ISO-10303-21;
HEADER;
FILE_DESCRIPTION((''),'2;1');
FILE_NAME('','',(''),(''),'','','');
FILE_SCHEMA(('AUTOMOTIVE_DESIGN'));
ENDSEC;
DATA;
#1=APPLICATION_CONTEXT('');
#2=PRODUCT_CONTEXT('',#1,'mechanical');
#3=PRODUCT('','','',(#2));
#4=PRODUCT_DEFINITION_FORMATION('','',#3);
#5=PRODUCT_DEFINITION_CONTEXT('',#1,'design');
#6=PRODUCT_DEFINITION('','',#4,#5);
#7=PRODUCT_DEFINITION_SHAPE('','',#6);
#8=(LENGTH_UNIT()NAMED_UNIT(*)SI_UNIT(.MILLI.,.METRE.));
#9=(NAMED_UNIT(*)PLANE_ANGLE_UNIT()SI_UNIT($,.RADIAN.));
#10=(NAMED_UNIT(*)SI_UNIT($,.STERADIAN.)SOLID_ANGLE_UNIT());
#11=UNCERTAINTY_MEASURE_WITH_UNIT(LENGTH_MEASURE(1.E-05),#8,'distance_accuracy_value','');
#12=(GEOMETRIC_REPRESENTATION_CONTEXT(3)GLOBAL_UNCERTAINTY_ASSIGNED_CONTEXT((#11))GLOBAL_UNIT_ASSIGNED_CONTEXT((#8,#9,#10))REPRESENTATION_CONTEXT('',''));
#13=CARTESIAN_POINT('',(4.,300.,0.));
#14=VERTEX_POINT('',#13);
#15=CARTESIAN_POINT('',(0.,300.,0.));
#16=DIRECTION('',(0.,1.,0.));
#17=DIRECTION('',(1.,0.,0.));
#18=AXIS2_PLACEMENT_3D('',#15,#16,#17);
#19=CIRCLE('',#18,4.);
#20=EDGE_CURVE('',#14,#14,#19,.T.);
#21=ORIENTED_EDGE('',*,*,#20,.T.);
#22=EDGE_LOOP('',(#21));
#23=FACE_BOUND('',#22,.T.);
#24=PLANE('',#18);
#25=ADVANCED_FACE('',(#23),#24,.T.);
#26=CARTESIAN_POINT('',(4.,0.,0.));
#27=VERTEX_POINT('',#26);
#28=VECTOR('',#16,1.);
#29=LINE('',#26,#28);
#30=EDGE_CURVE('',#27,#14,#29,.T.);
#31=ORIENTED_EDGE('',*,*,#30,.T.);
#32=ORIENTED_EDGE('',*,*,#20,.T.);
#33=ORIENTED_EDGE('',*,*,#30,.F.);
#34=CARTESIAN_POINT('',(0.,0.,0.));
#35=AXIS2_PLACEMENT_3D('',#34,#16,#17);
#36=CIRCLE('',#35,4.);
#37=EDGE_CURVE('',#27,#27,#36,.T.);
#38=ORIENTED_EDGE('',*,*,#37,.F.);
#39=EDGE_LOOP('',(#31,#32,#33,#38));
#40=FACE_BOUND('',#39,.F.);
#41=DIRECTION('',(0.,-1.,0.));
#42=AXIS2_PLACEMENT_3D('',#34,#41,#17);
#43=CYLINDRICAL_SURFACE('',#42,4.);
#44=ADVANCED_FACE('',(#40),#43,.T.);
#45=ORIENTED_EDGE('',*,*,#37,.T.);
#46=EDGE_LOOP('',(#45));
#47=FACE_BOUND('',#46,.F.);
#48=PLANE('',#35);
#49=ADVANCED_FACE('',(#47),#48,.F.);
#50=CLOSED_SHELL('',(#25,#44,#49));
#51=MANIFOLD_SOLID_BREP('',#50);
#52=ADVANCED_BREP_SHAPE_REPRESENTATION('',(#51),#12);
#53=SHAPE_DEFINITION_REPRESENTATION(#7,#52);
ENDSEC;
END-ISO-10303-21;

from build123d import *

# Parameters (mm, degrees)
CROQUIS1_R              = 4
SALIENTE_EXTRUIR1_DEPTH = 300


with BuildPart() as part:
    # Croquis1 → Saliente-Extruir1 (new body)
    with BuildSketch(Plane(origin=(0, 0, 0), x_dir=(1, 0, 0), z_dir=(0, 1, 0))):
        Circle(CROQUIS1_R)
    extrude(amount=SALIENTE_EXTRUIR1_DEPTH)


solid = part.part
